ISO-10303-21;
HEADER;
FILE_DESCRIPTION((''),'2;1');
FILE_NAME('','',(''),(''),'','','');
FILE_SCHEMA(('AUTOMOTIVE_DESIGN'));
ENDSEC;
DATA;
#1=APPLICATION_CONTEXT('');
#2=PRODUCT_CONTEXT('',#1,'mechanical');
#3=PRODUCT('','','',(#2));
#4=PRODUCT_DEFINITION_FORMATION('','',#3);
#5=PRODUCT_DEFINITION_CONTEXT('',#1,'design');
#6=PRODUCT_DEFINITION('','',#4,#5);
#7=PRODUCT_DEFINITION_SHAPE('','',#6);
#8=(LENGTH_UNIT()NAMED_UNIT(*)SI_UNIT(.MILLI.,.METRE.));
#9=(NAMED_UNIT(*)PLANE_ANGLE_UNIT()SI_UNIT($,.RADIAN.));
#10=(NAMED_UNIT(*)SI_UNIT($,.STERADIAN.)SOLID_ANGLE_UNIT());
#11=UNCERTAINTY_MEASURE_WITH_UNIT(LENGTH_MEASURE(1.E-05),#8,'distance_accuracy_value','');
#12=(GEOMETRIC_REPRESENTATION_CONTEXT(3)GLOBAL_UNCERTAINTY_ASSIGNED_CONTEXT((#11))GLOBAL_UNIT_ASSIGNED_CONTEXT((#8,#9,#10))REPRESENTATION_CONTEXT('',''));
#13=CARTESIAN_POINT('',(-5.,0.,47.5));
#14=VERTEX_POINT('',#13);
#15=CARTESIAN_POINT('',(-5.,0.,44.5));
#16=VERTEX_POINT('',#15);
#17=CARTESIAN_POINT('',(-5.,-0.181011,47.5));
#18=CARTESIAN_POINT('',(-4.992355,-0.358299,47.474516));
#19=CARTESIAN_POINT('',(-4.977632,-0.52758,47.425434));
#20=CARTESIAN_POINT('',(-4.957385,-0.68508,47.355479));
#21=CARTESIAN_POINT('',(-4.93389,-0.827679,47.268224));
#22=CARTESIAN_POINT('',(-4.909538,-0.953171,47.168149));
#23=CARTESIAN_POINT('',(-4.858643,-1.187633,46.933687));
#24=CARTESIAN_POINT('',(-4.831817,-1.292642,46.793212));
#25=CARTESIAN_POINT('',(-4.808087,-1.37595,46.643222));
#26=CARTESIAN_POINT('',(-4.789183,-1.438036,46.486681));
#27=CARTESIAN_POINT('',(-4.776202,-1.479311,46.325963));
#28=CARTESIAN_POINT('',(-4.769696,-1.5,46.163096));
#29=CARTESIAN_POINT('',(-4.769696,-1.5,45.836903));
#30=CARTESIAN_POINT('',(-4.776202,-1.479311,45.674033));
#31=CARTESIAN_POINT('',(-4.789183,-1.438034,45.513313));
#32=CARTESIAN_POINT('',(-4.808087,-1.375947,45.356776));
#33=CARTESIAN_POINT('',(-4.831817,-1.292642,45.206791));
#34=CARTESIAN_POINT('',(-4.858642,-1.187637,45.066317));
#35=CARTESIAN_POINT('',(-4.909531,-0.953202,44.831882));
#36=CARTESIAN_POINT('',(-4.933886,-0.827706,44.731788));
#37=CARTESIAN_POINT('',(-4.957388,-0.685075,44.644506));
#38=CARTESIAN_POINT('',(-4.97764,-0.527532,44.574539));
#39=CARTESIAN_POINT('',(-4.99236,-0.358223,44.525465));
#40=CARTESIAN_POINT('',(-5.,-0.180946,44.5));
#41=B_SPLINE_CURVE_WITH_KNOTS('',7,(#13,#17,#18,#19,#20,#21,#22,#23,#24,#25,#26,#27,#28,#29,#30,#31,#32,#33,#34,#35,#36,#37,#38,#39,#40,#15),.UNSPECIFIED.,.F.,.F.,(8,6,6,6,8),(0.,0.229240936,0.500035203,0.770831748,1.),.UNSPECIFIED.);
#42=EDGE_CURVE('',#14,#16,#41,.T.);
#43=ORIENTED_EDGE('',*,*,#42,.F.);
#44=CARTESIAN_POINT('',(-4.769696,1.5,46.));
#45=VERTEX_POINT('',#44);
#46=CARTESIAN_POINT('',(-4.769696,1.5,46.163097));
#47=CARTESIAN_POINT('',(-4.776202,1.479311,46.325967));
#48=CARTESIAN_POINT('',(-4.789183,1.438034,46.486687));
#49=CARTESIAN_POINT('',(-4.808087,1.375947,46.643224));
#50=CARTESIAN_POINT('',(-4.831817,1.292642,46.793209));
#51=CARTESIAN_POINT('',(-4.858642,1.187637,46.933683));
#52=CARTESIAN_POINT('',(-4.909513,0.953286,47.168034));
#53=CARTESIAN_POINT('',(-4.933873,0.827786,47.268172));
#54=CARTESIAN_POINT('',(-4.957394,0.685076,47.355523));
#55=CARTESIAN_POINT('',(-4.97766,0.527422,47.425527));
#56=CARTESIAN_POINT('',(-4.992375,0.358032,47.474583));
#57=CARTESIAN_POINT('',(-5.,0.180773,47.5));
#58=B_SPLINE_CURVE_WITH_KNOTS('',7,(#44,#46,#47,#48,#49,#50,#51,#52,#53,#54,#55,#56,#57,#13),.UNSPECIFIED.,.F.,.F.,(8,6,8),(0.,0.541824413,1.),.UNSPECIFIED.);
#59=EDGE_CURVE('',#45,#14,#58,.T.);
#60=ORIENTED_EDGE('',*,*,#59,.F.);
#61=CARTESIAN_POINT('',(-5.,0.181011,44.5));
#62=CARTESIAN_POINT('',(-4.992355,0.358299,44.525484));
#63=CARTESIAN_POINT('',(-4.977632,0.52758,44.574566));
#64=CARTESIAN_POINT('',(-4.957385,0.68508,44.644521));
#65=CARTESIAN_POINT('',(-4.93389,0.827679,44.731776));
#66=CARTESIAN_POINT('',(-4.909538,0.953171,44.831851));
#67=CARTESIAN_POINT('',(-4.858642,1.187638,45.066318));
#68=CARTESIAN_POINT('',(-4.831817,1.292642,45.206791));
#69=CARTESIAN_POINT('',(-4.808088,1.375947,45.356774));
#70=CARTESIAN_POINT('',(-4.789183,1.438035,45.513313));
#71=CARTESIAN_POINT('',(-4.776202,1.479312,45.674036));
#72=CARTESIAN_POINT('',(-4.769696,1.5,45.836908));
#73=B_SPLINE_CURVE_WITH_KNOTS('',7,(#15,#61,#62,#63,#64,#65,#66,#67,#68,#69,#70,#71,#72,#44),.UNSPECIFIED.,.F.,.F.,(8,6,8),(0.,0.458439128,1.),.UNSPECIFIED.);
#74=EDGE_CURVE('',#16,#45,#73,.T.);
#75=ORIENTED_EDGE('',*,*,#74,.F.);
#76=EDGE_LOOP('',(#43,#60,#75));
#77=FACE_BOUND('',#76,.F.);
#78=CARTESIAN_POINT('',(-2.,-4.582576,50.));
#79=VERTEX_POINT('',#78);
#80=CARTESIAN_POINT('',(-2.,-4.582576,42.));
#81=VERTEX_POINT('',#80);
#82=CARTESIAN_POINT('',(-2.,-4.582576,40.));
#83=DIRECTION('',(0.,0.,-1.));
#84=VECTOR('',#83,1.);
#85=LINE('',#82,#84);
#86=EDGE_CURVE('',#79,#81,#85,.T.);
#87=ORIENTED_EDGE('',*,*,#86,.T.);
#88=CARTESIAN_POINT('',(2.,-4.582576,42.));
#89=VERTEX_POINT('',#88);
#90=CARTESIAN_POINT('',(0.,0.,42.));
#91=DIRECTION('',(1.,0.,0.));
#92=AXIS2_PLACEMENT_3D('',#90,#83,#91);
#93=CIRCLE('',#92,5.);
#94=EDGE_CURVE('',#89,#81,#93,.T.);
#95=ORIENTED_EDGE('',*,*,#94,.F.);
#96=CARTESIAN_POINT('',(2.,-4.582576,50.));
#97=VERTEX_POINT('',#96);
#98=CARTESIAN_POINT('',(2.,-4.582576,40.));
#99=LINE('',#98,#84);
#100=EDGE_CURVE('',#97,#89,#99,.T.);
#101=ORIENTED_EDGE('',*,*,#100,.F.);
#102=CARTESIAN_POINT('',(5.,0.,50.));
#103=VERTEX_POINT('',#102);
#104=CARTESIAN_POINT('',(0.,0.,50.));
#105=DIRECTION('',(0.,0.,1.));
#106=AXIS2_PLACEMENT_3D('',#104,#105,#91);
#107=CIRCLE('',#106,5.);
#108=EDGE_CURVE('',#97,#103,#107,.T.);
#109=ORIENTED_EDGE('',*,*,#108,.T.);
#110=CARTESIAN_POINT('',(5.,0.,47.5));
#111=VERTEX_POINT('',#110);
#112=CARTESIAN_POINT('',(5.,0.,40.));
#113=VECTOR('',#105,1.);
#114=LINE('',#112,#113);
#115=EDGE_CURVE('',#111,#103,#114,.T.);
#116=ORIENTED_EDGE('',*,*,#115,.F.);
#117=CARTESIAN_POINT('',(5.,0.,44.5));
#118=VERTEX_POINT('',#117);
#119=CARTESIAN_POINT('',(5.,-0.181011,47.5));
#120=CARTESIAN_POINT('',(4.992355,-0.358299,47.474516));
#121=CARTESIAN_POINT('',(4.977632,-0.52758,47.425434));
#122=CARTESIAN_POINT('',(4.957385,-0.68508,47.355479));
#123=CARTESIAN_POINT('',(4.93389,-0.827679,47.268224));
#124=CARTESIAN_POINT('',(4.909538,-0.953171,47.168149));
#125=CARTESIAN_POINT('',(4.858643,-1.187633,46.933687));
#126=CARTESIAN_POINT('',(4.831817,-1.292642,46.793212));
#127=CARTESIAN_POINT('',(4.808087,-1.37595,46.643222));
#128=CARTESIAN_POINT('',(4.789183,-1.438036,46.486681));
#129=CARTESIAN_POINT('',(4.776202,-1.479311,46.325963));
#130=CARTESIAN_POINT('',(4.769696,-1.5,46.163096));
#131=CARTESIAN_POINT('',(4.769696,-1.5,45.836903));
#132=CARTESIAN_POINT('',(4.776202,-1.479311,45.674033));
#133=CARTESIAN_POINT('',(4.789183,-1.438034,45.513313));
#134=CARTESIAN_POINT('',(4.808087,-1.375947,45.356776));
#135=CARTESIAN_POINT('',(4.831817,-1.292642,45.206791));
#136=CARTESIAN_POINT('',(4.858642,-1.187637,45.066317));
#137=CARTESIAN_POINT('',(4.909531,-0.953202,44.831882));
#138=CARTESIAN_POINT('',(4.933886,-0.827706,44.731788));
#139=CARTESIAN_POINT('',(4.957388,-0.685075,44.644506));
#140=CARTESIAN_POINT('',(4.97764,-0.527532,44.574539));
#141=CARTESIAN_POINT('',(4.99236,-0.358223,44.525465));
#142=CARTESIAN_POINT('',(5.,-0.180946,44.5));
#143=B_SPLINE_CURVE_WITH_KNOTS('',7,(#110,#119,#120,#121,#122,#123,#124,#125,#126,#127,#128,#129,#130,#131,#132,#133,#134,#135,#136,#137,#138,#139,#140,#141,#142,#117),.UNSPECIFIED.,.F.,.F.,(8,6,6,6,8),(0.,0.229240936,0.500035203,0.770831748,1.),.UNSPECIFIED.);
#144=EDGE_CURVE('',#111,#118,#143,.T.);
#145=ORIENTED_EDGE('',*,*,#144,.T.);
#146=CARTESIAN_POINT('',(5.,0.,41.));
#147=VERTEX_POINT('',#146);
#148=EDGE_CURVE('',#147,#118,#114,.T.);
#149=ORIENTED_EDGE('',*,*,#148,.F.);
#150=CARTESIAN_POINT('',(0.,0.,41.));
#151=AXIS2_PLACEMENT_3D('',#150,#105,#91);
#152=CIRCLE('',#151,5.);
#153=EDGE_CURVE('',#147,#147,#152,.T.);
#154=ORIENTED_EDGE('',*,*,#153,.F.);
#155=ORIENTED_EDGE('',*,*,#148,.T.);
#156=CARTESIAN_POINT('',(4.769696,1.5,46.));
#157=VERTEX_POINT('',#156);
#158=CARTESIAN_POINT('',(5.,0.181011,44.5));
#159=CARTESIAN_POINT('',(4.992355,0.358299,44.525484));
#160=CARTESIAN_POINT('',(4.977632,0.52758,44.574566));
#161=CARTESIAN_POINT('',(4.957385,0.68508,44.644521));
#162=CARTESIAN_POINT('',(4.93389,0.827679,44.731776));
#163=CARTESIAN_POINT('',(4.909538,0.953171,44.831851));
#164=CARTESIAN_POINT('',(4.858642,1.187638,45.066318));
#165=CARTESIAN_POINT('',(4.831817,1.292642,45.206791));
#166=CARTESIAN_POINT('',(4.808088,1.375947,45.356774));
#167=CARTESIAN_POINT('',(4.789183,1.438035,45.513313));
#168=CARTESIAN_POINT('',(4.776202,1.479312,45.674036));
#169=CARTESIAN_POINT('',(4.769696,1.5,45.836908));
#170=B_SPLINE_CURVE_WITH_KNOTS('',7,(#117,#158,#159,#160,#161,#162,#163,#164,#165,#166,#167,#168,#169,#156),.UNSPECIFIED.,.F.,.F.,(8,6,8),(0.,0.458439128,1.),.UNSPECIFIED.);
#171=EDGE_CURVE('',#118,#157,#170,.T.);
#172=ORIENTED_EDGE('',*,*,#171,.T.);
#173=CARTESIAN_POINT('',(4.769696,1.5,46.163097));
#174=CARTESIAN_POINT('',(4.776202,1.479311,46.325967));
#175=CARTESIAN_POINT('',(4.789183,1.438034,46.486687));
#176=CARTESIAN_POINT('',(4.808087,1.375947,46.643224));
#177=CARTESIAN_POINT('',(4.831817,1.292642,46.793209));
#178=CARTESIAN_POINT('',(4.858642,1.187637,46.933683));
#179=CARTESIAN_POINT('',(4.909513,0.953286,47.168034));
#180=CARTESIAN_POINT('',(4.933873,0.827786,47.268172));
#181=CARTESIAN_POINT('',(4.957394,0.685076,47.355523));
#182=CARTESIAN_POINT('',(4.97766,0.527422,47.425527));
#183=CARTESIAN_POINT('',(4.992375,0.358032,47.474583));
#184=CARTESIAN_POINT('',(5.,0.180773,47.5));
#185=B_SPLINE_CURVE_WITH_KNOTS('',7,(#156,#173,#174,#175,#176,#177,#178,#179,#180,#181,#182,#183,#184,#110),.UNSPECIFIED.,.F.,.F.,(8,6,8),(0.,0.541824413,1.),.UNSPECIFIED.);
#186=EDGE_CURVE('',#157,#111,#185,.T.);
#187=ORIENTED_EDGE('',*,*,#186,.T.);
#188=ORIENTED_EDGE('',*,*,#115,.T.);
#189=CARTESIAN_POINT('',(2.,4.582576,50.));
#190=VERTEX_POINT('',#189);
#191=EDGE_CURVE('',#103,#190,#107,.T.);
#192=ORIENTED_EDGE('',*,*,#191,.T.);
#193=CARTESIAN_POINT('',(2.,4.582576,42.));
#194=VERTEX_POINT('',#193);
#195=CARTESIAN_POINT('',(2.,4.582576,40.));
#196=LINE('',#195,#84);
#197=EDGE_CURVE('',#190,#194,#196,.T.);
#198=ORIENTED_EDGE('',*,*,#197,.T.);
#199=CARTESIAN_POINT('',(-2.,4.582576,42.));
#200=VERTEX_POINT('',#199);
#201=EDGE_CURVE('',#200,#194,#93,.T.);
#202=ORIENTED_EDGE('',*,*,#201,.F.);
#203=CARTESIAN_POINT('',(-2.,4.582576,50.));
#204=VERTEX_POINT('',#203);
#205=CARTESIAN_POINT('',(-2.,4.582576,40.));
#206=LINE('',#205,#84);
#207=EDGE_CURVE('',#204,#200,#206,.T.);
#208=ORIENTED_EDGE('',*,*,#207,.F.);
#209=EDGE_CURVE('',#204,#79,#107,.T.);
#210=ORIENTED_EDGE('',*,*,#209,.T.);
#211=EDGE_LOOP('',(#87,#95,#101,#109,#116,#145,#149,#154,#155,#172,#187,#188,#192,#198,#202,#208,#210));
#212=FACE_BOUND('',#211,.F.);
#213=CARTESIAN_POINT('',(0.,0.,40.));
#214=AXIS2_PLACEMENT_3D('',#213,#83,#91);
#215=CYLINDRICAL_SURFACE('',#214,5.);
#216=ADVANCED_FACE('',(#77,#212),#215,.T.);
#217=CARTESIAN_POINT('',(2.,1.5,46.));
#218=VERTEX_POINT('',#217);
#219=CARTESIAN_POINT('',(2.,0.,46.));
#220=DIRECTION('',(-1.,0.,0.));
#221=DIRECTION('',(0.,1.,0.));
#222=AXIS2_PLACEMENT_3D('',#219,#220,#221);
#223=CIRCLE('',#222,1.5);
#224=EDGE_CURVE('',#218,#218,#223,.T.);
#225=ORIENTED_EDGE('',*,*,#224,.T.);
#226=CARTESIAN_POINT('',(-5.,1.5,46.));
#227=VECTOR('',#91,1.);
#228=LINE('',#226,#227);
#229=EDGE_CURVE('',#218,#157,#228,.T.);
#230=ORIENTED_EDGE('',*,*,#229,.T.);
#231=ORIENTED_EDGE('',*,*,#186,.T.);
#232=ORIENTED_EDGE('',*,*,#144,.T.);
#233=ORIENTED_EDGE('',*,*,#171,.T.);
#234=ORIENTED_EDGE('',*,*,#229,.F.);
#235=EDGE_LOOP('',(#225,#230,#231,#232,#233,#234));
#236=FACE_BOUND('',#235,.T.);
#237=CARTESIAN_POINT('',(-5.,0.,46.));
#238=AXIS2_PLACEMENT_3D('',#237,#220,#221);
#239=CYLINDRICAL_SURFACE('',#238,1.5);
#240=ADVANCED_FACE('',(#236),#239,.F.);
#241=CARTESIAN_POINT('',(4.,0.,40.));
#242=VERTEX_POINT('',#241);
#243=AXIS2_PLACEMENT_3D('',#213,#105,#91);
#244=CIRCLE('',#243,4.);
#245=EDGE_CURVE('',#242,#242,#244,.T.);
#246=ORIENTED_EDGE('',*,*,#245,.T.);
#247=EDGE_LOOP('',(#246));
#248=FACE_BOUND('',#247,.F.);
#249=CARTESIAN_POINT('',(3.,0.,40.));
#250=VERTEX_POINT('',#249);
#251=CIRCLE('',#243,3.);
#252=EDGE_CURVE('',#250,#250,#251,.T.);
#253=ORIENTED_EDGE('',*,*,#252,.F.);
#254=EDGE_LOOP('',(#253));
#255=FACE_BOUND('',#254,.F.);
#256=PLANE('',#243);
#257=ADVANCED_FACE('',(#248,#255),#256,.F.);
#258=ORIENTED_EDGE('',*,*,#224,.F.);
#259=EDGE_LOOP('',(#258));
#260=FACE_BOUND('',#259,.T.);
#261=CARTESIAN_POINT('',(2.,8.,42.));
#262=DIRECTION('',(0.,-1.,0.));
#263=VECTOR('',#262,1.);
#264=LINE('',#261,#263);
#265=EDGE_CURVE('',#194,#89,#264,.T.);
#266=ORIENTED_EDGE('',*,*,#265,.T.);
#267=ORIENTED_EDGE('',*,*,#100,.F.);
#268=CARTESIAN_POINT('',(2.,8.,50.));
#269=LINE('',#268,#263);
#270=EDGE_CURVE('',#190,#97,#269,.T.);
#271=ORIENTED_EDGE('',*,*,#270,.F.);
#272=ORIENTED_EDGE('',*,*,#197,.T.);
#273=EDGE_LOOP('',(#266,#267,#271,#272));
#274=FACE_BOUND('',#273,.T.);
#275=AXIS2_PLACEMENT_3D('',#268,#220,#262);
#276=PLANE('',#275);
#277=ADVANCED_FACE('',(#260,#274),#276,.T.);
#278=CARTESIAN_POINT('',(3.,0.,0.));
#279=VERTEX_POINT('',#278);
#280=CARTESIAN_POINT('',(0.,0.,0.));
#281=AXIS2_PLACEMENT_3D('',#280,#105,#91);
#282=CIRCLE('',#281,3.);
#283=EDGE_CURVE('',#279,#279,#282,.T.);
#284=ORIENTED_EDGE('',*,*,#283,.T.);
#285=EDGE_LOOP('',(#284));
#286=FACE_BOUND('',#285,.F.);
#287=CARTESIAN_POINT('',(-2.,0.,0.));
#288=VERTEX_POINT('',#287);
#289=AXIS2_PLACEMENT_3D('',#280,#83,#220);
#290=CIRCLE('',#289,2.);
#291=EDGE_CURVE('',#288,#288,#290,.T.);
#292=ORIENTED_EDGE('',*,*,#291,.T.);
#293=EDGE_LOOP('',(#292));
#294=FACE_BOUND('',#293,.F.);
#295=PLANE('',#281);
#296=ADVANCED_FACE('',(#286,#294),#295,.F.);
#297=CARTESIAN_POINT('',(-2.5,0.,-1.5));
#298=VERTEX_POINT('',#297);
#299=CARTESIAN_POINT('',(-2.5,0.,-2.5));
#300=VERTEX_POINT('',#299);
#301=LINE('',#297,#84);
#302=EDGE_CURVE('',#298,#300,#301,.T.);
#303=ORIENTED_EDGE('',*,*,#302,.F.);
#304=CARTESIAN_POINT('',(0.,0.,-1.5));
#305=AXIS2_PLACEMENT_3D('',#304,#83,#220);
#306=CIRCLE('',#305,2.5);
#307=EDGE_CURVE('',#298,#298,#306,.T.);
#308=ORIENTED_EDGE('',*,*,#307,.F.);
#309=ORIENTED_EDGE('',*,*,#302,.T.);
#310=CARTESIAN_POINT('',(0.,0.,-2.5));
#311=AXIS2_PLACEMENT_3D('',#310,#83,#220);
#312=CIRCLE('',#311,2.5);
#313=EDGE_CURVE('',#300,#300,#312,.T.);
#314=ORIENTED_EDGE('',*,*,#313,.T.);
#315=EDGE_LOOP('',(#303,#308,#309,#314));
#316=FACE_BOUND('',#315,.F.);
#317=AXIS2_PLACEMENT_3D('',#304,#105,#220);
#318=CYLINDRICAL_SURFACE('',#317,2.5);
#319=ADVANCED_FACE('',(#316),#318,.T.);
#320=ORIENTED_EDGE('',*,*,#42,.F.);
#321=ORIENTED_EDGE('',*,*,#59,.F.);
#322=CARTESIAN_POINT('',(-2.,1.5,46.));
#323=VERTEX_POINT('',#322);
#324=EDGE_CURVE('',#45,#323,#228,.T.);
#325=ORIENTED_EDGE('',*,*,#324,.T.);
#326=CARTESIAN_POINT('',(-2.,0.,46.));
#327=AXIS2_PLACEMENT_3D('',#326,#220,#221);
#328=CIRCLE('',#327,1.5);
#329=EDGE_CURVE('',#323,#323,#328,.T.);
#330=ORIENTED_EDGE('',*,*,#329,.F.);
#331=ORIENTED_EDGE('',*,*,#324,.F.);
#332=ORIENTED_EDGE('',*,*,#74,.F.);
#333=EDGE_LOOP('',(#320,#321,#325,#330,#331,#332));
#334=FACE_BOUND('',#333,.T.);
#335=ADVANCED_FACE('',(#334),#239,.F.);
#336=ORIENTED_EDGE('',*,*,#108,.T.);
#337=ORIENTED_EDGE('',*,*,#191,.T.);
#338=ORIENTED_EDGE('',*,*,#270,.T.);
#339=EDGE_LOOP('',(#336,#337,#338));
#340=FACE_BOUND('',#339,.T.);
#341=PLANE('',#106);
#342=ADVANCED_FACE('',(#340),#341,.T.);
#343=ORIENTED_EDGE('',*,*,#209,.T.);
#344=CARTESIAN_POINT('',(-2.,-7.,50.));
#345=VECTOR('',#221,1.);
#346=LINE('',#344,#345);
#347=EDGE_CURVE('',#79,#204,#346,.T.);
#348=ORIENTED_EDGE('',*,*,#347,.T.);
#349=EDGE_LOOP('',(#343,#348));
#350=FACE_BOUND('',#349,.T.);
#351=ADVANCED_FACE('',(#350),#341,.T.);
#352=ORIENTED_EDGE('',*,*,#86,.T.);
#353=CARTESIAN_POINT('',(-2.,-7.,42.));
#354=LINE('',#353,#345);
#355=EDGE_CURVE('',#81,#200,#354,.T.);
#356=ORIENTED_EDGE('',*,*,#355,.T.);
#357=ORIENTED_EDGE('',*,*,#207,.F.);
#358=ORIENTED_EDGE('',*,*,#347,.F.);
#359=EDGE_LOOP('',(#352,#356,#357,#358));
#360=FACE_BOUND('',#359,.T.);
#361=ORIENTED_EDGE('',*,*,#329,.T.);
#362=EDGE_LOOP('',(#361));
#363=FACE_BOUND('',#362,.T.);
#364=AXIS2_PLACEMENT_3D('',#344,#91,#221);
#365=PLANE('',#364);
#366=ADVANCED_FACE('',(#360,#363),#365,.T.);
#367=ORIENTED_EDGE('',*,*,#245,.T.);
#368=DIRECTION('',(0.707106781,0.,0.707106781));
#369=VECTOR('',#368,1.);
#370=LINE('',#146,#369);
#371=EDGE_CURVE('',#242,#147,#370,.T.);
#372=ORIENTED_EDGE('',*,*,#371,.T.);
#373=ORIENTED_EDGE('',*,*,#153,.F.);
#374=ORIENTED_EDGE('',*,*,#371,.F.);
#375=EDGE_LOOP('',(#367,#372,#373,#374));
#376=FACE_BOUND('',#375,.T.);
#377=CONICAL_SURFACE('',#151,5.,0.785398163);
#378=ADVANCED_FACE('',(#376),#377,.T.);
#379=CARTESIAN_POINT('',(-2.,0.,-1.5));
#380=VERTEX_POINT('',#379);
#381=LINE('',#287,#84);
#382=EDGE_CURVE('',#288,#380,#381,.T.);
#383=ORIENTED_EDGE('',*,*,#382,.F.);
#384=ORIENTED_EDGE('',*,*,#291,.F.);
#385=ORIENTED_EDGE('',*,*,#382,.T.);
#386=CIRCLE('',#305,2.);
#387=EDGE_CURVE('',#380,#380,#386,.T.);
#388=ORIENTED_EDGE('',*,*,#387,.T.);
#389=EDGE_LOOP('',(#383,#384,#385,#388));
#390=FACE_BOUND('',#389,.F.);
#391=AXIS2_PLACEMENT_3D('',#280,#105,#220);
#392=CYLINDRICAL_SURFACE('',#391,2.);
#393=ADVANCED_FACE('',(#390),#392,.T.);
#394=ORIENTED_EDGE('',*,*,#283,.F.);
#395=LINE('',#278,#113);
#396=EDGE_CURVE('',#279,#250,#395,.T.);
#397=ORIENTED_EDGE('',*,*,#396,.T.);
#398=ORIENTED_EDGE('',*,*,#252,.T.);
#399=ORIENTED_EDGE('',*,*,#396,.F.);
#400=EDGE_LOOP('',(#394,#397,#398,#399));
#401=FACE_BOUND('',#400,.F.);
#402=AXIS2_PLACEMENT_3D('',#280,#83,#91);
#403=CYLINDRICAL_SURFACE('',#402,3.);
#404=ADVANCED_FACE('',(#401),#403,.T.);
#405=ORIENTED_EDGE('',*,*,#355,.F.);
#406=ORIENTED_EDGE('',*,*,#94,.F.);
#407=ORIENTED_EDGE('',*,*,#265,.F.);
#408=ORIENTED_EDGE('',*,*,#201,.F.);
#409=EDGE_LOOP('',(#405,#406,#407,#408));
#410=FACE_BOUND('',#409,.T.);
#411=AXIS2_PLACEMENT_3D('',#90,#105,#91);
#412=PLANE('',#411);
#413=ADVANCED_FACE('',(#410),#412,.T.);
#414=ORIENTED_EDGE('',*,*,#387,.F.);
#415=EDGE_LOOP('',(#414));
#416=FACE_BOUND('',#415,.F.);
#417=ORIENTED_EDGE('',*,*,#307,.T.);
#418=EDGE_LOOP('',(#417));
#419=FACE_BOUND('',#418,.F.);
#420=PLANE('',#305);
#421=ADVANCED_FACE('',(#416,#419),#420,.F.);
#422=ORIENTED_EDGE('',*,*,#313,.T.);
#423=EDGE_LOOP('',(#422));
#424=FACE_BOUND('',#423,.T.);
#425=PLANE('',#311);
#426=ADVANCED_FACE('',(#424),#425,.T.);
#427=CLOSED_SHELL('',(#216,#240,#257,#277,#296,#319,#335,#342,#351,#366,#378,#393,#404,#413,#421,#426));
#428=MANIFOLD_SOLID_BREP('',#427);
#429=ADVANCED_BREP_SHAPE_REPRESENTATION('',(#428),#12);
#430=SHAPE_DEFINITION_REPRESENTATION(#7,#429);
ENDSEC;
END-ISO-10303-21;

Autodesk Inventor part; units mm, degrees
sketch "Эскиз1" plane through (0, 0, 0) normal (0, 0, 1) x (1, 0, 0)
  circle A0 centre (0, 0) radius 3
  dimension "d0" = 6
extrude "Выдавливание1" add sketch "Эскиз1" along normal blind 40
ref_plane "РабПлоскость1" through (0, 0, 40) normal (0, 0, 1) x (1, 0, 0)
sketch "Эскиз2" plane through (0, 0, 40) normal (0, 0, 1) x (1, 0, 0)
  circle A0 centre (0, 0) radius 5
  dimension "d4" = 10
extrude "Выдавливание2" add sketch "Эскиз2" along normal blind 10
ref_plane "РабПлоскость2" through (0, 0, 50) normal (0, 0, 1) x (1, 0, 0)
sketch "Эскиз3" plane through (0, 0, 50) normal (0, 0, 1) x (1, 0, 0)
  line L0 (-2, 8) -> (2, 8)
  line L1 (2, 8) -> (2, -7)
  line L2 (2, -7) -> (-2, -7)
  line L3 (-2, -7) -> (-2, 8)
  point P0 (0, 0)
  dimension "d8" = 4
  dimension "d9" = 15
extrude "Выдавливание3" cut sketch "Эскиз3" against normal blind 8
ref_plane "РабПлоскость3" through (-5, 0, 40) normal (1, 0, 0) x (0, 1, 0)
sketch "Эскиз4" plane through (-5, 0, 40) normal (1, 0, 0) x (0, 1, 0)
  circle A0 centre (0, 6) radius 1.5
  line L0 (4.5826, 10) -> (-4.5826, 10) projected
  point P0 (0, -40)
  dimension "d12" = 3
  dimension "d13" = 4
extrude "Выдавливание4" cut sketch "Эскиз4" along normal blind 10
ref_plane "РабПлоскость4" through (0, 0, 0) normal (0, 0, -1) x (-1, 0, 0)
sketch "Эскиз5" plane through (0, 0, 0) normal (0, 0, -1) x (-1, 0, 0)
  circle A0 centre (0, 0) radius 2
  dimension "d17" = 4
extrude "Выдавливание5" add sketch "Эскиз5" along normal blind 1.5
ref_plane "РабПлоскость5" through (0, 0, -1.5) normal (0, 0, -1) x (-1, 0, 0)
sketch "Эскиз6" plane through (0, 0, -1.5) normal (0, 0, -1) x (-1, 0, 0)
  circle A0 centre (0, 0) radius 2.5
  dimension "d21" = 5
extrude "Выдавливание6" add sketch "Эскиз6" along normal blind 1
chamfer "Фаска1" distance 1 angle 45 1 edges at (-5, 0, 40)
thread "Резьба1" size "M6x1" class "6g" standard "ANSI Metric M Profile" full length
properties part number "крепёж"
